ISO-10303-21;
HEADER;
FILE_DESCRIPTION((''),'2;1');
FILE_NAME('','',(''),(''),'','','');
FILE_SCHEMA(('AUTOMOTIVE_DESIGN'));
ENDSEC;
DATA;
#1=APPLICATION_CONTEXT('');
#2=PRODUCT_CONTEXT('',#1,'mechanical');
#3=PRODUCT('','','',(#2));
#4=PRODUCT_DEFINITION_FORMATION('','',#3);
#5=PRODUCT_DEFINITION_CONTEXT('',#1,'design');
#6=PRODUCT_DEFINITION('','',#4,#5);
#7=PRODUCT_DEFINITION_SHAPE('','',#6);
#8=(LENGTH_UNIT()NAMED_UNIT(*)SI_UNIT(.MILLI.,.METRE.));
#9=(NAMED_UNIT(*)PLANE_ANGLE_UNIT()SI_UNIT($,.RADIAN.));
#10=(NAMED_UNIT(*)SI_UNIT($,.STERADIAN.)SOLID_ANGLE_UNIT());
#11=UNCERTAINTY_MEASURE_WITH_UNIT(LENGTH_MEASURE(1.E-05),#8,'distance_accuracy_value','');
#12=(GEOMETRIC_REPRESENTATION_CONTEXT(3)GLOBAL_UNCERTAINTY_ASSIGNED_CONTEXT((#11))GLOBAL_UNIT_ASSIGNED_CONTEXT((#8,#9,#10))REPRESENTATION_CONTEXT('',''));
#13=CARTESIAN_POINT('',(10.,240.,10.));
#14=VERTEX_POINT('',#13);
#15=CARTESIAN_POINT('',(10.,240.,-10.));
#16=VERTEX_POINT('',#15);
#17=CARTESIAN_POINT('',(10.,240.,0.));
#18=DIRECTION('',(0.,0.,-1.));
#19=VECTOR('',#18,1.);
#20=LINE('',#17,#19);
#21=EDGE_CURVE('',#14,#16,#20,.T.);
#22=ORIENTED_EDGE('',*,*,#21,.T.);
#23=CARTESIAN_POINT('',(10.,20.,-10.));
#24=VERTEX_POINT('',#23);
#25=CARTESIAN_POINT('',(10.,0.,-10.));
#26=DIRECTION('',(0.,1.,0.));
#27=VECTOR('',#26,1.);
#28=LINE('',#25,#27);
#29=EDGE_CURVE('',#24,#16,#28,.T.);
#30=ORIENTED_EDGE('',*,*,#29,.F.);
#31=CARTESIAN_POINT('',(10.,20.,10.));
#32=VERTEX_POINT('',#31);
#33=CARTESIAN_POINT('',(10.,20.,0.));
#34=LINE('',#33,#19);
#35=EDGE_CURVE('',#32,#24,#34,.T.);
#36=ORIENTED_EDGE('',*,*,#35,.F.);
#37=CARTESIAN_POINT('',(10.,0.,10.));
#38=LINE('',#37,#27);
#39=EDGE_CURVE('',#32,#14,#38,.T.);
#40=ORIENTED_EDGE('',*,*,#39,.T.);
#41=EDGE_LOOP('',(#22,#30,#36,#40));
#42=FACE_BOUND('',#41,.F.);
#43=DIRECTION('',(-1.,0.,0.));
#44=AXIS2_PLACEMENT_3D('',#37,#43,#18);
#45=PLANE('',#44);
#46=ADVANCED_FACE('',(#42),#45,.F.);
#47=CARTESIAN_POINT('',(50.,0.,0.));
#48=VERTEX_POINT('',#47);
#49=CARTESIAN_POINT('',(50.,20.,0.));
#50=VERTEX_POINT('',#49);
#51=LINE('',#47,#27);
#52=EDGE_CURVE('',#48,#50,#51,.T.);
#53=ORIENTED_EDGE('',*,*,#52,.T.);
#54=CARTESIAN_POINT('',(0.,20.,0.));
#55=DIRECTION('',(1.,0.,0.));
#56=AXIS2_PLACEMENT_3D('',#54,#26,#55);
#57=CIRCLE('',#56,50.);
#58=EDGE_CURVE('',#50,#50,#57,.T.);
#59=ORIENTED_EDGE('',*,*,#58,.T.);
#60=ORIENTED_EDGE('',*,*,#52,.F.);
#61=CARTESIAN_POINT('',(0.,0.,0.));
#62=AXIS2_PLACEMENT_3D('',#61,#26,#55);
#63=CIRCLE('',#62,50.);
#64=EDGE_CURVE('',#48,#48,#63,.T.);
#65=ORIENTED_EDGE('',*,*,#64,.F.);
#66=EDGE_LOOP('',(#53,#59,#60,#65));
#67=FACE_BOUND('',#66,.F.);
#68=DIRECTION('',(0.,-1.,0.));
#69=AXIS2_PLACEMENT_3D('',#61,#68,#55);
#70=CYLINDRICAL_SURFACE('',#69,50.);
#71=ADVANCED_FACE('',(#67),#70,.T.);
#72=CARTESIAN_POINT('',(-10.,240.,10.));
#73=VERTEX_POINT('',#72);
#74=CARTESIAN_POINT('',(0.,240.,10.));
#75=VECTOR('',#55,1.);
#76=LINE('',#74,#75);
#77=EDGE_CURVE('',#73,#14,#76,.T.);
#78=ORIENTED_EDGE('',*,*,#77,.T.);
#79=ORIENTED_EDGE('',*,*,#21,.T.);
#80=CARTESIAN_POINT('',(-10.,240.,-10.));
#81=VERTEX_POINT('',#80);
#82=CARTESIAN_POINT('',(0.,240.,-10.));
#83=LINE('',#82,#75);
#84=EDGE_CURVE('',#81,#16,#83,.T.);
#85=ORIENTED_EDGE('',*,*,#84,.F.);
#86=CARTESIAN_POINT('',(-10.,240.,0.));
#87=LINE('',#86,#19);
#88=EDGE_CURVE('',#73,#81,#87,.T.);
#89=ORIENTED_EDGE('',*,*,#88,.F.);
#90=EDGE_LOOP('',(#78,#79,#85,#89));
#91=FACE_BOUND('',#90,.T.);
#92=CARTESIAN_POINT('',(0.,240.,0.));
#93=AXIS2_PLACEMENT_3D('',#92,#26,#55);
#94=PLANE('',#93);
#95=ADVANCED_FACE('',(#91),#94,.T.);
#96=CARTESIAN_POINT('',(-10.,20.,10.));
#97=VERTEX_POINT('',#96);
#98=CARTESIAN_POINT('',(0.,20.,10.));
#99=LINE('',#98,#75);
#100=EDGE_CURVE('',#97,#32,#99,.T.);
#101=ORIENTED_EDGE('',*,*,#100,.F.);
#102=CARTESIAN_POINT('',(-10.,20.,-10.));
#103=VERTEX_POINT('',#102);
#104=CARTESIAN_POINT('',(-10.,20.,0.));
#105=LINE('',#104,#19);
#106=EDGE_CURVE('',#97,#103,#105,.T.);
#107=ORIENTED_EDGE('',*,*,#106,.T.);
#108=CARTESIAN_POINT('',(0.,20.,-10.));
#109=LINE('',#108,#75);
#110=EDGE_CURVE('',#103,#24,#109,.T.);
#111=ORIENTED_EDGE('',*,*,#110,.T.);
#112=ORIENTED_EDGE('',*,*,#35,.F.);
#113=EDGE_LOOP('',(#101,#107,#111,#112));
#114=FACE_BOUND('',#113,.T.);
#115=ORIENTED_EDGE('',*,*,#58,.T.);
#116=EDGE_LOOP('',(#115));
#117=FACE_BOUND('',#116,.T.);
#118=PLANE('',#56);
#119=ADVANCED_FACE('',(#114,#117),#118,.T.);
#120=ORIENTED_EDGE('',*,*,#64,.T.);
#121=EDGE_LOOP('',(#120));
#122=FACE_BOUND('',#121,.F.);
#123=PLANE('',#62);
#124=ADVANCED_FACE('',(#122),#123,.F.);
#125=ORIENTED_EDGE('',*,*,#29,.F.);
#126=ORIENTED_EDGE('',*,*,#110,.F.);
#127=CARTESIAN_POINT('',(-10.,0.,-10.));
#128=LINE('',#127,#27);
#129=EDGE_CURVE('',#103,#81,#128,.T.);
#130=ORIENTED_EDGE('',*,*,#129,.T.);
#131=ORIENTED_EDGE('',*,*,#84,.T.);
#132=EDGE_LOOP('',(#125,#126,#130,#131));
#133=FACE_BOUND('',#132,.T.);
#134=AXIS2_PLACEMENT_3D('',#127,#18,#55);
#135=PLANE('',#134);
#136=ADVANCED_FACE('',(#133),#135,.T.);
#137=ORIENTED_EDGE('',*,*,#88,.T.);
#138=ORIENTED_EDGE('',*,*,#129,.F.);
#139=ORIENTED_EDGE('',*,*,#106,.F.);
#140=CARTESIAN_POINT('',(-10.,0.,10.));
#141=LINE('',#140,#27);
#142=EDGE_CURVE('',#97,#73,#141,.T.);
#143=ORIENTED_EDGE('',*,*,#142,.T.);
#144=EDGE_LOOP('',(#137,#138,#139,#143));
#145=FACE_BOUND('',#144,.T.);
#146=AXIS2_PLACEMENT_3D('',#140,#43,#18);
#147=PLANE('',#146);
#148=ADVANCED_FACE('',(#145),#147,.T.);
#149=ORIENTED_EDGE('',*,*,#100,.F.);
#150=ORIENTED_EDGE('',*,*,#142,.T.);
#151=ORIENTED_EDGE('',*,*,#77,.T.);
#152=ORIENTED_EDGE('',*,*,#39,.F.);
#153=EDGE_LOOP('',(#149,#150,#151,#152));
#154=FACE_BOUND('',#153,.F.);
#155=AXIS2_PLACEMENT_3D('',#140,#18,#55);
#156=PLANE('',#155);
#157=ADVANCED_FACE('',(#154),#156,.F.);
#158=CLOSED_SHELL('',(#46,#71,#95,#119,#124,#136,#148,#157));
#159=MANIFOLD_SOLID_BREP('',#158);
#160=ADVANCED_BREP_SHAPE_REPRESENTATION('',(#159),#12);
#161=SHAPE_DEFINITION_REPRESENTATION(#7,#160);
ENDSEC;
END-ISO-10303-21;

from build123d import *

# Parameters (mm, degrees)
SKETCH1_R           = 50
SKETCH1_W           = 20
SKETCH1_H           = 20
BOSS_EXTRUDE1_DEPTH = 20
SKETCH1_2_W         = 20
SKETCH1_2_H         = 20
BOSS_EXTRUDE2_DEPTH = 240


with BuildPart() as part:
    # Sketch1 → Boss-Extrude1 (new body)
    with BuildSketch(Plane(origin=(0, 0, 0), x_dir=(1, 0, 0), z_dir=(0, 1, 0))):
        Circle(SKETCH1_R)
        Rectangle(SKETCH1_W, SKETCH1_H, mode=Mode.SUBTRACT)
    extrude(amount=BOSS_EXTRUDE1_DEPTH)

    # Sketch1<2> → Boss-Extrude2 (add)
    with BuildSketch(Plane(origin=(0, 0, 0), x_dir=(1, 0, 0), z_dir=(0, 1, 0))):
        Rectangle(SKETCH1_2_W, SKETCH1_2_H)
    extrude(amount=BOSS_EXTRUDE2_DEPTH)


solid = part.part
